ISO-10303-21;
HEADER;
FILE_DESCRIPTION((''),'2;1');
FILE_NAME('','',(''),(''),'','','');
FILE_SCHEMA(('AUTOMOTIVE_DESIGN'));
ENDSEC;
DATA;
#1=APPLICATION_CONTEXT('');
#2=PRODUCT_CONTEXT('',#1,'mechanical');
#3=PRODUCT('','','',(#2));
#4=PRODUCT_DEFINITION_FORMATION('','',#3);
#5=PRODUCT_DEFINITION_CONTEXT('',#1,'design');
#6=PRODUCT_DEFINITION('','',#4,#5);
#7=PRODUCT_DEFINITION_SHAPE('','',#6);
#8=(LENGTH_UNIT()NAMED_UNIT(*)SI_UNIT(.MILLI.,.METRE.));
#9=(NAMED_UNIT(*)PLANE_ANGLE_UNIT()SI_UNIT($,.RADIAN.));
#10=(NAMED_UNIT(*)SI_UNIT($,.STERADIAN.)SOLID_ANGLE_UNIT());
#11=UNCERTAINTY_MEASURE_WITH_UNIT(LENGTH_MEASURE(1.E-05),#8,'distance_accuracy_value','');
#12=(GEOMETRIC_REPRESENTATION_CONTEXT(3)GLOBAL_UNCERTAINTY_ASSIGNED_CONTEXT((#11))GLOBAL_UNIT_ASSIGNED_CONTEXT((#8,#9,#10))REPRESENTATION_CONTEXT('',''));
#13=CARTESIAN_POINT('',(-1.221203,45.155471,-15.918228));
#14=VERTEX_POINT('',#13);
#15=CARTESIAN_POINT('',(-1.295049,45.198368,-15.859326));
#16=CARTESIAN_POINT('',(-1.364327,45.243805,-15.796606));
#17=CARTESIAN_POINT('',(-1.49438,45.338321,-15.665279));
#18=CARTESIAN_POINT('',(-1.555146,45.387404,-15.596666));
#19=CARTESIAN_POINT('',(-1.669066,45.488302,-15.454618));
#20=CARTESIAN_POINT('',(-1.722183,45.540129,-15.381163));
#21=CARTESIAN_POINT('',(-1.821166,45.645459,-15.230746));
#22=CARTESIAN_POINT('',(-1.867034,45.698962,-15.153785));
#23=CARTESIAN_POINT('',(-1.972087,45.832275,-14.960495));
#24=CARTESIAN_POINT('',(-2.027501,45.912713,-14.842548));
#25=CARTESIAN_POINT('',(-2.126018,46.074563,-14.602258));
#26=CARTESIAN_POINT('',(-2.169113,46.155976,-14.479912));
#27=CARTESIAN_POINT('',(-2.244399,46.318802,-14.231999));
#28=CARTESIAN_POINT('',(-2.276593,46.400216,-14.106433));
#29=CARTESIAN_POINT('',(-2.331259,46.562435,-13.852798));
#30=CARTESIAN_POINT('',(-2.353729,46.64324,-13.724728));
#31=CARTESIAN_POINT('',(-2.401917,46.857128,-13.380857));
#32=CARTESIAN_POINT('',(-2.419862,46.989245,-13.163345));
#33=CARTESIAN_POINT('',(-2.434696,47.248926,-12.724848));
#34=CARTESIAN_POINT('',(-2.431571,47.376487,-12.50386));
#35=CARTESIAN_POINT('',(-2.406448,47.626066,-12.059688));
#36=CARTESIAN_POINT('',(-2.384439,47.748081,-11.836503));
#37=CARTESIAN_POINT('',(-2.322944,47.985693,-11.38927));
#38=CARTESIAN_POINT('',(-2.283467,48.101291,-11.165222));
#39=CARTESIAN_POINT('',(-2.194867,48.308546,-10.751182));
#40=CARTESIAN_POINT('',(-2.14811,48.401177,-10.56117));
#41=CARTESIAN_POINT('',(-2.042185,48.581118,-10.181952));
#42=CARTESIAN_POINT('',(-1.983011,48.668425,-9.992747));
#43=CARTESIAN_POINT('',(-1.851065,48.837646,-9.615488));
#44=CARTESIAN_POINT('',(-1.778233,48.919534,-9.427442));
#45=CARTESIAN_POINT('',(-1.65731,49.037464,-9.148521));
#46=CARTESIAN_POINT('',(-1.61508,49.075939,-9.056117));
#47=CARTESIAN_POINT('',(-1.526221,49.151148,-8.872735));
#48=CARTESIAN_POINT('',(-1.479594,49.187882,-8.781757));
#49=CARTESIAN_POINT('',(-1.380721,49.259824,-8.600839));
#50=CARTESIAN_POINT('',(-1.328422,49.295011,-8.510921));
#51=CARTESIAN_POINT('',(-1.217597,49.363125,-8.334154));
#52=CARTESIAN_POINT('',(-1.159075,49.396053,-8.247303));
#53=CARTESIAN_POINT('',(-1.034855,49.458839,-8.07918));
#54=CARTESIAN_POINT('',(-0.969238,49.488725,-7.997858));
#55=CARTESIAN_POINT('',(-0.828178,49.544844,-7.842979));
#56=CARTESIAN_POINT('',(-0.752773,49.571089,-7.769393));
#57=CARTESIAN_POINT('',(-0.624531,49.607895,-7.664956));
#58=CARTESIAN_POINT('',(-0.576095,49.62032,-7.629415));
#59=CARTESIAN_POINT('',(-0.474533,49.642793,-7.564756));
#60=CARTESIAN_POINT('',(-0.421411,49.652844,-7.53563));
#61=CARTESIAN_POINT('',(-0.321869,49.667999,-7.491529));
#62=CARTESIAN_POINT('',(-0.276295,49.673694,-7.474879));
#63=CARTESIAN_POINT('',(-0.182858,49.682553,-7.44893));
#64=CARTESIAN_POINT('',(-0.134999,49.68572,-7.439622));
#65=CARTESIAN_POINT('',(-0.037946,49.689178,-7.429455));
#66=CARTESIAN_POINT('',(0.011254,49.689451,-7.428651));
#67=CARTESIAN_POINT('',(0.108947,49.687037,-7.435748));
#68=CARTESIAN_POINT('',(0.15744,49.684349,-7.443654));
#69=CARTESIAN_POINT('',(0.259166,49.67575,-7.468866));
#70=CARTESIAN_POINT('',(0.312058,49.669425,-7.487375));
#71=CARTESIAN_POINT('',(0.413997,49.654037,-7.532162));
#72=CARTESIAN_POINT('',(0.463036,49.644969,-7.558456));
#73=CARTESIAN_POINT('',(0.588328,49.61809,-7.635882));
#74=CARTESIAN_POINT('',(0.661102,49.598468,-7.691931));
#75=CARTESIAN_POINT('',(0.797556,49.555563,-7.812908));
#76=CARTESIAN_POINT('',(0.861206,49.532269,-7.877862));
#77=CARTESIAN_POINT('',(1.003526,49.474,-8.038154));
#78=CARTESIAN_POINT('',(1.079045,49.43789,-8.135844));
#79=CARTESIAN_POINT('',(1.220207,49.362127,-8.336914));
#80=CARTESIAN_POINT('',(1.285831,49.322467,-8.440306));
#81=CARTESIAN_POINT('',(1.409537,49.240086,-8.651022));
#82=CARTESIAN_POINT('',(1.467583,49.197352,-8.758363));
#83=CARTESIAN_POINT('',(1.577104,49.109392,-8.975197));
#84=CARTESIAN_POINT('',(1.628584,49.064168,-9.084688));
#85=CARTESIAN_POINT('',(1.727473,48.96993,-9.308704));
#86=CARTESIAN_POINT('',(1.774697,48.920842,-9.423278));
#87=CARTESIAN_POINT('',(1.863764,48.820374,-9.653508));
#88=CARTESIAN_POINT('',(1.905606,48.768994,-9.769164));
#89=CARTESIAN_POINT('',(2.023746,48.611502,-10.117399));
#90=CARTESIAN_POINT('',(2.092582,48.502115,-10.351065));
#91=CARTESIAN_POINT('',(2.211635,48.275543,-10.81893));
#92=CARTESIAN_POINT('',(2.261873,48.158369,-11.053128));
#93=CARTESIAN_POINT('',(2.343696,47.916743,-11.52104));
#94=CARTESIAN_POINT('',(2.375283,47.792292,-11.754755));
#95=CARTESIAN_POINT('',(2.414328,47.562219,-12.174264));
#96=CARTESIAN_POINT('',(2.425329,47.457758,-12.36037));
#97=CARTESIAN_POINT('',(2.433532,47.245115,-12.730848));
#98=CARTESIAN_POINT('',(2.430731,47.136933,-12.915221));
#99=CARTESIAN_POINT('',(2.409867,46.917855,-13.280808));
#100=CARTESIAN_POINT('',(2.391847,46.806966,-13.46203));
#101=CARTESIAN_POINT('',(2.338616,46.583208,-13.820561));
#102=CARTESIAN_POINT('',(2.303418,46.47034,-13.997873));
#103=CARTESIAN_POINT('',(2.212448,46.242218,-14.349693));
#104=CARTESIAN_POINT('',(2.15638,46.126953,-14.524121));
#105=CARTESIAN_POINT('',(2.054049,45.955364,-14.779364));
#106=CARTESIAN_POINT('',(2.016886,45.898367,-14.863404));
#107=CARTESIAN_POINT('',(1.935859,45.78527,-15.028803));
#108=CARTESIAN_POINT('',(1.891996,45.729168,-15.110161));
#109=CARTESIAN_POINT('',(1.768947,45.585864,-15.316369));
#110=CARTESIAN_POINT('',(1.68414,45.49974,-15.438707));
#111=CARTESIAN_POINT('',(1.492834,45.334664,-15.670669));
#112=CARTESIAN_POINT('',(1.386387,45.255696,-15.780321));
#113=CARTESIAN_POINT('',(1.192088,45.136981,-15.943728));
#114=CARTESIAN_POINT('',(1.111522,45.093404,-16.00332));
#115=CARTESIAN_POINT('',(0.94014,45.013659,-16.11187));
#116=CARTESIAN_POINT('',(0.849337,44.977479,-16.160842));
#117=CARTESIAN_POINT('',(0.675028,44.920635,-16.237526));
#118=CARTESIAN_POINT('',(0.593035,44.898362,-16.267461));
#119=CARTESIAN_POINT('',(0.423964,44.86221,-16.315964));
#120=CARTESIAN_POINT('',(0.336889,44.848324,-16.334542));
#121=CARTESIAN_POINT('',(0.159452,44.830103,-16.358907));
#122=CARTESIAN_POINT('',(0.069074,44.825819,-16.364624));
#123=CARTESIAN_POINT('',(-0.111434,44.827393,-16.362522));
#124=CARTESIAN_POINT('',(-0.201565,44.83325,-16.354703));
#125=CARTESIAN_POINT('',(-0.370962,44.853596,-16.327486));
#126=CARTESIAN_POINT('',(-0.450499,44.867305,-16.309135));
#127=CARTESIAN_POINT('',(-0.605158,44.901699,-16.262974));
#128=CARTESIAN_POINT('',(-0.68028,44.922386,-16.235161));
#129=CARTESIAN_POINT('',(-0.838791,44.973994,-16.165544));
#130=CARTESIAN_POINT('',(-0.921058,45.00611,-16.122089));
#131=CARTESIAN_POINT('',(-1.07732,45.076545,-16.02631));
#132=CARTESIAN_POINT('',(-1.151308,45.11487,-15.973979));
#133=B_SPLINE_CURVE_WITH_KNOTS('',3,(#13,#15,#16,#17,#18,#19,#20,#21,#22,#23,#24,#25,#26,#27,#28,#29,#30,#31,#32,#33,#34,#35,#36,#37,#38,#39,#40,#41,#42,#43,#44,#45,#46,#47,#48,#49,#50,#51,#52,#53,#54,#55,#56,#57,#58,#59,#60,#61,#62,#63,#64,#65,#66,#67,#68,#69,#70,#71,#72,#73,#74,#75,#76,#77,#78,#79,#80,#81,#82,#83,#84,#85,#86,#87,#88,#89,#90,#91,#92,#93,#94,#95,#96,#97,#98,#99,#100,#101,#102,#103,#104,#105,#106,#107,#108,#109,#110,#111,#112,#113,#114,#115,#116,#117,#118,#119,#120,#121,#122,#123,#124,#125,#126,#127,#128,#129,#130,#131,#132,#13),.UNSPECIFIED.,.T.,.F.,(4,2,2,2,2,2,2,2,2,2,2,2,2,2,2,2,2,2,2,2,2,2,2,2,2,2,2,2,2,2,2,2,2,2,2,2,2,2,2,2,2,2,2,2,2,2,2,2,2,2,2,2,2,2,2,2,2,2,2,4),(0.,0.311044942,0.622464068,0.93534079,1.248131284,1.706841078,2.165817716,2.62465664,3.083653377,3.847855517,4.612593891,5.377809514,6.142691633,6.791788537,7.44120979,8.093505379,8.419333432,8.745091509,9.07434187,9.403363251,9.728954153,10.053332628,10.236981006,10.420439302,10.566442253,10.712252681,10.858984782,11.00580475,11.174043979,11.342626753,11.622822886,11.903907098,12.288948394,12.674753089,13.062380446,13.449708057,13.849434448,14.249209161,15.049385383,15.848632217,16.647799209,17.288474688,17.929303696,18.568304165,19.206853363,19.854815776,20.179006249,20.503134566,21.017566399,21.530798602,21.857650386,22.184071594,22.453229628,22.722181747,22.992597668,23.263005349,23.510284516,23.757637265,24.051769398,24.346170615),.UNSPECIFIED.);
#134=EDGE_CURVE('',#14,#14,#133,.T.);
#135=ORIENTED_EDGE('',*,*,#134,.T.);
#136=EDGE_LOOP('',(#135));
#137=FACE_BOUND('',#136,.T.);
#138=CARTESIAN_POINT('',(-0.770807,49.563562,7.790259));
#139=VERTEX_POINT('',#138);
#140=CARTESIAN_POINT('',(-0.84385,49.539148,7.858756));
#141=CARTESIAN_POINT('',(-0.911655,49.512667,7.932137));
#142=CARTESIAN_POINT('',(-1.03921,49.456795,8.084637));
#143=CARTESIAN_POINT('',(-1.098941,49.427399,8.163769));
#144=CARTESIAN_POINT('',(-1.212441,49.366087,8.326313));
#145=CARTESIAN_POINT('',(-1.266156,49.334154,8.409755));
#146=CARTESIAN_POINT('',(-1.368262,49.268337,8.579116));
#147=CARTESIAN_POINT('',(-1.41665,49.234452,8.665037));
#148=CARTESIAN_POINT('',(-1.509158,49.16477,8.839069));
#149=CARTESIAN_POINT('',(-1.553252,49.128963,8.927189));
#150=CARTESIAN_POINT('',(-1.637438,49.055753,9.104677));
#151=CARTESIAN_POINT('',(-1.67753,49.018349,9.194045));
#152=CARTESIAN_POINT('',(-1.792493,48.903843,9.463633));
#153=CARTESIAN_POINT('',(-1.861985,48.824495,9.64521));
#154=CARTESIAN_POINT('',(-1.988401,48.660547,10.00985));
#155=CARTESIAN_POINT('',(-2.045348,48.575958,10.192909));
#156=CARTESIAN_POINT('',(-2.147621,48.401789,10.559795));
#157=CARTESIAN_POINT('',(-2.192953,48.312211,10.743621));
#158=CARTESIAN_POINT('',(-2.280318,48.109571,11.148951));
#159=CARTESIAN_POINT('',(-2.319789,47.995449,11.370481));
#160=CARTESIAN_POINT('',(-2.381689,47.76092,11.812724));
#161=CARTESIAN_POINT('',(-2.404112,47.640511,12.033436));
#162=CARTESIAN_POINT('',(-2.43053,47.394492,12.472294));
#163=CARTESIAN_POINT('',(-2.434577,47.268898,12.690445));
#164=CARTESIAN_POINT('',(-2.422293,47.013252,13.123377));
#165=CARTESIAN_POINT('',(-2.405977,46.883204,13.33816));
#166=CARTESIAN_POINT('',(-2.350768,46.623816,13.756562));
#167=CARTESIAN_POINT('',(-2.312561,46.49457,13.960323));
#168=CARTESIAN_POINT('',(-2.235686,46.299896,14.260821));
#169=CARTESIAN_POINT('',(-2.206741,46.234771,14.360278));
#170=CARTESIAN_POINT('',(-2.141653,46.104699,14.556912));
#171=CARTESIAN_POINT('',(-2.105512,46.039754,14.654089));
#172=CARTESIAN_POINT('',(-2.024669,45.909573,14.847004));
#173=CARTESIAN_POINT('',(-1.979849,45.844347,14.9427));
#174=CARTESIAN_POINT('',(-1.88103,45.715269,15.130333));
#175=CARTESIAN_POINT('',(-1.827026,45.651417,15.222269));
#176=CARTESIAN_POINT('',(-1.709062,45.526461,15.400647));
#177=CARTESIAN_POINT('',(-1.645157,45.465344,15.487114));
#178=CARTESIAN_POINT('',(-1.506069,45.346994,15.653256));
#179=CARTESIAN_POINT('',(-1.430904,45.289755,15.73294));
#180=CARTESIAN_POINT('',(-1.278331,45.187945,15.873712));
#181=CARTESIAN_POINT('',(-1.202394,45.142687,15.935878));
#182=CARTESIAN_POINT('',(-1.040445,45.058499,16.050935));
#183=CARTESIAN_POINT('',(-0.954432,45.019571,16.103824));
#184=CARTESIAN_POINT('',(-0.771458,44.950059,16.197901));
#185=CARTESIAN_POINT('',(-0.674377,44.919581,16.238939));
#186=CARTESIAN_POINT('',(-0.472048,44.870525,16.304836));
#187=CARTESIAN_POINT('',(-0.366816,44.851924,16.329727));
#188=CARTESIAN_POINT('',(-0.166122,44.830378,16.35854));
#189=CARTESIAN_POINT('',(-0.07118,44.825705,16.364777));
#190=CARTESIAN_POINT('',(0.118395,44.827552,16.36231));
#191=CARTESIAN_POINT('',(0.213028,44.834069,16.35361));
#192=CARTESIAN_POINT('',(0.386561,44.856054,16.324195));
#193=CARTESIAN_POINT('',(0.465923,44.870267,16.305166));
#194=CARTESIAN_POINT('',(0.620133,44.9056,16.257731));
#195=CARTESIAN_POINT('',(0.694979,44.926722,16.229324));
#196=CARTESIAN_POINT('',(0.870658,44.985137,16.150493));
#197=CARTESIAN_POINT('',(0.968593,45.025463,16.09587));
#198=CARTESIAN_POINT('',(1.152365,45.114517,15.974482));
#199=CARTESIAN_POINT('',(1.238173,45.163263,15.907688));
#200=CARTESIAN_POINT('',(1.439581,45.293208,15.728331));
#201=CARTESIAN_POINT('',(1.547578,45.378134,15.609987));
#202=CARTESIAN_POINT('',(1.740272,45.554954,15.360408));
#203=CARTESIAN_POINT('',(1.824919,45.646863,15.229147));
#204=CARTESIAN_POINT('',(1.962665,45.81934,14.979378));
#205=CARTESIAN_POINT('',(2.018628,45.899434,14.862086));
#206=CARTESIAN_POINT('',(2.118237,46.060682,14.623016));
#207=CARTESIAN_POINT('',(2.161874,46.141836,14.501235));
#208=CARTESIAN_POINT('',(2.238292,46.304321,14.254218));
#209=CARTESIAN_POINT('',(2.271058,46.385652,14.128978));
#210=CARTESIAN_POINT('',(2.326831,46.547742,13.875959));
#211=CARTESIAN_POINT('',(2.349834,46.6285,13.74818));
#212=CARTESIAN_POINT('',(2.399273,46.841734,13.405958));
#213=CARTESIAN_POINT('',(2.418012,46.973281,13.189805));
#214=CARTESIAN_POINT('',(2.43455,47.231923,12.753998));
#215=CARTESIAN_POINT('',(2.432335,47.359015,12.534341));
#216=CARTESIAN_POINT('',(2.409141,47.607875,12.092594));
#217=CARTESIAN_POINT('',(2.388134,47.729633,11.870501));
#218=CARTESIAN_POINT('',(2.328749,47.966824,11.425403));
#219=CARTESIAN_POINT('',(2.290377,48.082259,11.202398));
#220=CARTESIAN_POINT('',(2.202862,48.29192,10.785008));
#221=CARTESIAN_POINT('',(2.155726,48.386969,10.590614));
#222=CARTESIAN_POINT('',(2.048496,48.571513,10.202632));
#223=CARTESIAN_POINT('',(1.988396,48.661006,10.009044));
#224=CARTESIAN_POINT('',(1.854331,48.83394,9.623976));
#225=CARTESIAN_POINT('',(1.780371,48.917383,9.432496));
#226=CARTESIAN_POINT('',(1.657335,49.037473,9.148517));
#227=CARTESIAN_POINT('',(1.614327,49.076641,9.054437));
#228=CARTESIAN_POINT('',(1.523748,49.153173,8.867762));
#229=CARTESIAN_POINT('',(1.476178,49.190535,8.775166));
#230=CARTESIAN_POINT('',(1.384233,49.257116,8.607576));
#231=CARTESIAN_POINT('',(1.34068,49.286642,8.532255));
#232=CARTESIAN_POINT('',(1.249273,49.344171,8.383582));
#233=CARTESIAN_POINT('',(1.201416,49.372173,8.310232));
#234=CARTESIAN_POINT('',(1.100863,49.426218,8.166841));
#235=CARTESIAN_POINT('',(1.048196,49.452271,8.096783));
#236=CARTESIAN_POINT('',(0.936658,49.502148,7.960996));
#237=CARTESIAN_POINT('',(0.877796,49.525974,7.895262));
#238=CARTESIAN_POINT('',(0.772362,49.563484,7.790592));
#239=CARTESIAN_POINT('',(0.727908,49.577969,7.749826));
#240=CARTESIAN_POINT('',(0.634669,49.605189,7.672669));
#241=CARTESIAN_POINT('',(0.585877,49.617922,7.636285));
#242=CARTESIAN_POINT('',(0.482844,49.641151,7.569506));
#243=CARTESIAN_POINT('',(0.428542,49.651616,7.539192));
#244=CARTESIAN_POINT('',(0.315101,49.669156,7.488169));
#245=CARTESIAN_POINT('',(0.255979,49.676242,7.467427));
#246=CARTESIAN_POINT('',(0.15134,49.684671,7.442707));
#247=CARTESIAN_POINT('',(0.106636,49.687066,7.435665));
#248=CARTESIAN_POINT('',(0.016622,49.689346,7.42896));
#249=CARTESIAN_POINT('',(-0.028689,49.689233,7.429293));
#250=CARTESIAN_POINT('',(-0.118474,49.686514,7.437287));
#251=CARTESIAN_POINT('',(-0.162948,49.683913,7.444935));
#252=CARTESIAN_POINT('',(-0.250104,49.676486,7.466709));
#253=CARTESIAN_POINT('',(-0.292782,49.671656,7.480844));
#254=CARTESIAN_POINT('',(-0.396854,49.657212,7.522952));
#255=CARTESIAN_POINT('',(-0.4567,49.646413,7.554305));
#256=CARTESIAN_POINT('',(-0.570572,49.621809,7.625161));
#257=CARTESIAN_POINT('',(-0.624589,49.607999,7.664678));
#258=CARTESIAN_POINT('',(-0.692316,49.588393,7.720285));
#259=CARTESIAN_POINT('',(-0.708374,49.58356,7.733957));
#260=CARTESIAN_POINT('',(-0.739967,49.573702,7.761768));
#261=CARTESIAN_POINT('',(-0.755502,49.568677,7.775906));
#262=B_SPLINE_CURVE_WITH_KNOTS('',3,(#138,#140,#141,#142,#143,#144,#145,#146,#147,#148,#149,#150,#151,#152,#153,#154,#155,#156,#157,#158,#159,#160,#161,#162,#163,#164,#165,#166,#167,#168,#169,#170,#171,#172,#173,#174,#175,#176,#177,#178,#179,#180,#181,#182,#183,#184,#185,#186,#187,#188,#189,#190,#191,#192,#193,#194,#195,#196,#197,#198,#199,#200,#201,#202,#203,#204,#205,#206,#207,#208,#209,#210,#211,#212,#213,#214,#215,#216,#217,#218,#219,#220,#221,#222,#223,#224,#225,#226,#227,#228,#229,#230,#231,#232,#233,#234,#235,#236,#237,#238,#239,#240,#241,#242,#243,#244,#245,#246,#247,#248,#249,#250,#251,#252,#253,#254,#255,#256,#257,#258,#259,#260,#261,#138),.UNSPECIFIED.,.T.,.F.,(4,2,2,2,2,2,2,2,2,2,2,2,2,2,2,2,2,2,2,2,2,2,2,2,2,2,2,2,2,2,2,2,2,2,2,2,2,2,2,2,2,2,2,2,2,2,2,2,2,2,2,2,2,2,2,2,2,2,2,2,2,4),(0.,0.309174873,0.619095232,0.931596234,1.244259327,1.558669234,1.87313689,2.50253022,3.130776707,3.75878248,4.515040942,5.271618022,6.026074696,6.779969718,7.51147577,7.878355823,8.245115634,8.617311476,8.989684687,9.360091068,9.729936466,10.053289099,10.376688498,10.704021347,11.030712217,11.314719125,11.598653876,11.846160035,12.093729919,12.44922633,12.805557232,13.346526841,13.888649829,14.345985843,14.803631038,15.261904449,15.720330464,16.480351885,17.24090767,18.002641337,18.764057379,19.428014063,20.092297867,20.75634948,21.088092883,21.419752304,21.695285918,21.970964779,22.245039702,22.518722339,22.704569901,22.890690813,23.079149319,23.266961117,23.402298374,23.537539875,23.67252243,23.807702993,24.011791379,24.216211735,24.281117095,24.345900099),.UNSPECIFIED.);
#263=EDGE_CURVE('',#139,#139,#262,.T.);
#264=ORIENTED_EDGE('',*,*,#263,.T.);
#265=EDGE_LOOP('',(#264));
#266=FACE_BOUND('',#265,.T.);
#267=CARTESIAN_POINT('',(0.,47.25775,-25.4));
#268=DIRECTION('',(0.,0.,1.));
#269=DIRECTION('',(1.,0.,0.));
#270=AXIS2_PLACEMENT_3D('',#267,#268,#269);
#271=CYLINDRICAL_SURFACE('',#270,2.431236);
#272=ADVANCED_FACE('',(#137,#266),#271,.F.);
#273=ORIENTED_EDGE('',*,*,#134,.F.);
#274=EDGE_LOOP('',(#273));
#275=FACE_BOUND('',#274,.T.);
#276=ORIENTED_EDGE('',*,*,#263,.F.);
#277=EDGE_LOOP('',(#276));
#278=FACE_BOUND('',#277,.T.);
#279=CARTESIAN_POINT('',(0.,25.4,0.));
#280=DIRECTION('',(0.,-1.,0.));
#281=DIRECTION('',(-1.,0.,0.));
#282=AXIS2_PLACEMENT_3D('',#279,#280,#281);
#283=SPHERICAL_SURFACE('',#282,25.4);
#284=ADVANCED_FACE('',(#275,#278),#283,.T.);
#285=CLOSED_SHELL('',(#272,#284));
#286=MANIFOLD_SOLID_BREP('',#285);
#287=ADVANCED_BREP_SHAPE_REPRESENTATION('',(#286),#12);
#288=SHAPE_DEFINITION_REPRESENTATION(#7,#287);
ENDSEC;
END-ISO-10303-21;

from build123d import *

# Parameters (mm, degrees)
CUT_EXTRUDE4_DEPTH      = 63.217039467
CUT_EXTRUDE4_DEPTH_BACK = 63.217039467
SKETCH4_R               = 2.431236415


with BuildPart() as part:
    # Sketch1 → Revolve1 (revolve)
    with BuildSketch(Plane.XY):
        with BuildLine():
            Line((0, 0), (0, 50.8))
            ThreePointArc((0, 50.8), (25.4, 25.4), (0, 0))
        make_face()
    revolve(axis=Axis((0, 0, 0), (0, 1, 0)))

    # Sketch4 → Cut-Extrude4 (cut, two sides: drawn at the far end of the back side and taken through both)
    with BuildSketch(Plane.XY.offset(-CUT_EXTRUDE4_DEPTH_BACK)):
        with Locations(Location((0, 47.257750457, 0), (0, 0, 108.484210302))):
            Circle(SKETCH4_R)
    extrude(amount=CUT_EXTRUDE4_DEPTH + CUT_EXTRUDE4_DEPTH_BACK, mode=Mode.SUBTRACT)


solid = part.part
